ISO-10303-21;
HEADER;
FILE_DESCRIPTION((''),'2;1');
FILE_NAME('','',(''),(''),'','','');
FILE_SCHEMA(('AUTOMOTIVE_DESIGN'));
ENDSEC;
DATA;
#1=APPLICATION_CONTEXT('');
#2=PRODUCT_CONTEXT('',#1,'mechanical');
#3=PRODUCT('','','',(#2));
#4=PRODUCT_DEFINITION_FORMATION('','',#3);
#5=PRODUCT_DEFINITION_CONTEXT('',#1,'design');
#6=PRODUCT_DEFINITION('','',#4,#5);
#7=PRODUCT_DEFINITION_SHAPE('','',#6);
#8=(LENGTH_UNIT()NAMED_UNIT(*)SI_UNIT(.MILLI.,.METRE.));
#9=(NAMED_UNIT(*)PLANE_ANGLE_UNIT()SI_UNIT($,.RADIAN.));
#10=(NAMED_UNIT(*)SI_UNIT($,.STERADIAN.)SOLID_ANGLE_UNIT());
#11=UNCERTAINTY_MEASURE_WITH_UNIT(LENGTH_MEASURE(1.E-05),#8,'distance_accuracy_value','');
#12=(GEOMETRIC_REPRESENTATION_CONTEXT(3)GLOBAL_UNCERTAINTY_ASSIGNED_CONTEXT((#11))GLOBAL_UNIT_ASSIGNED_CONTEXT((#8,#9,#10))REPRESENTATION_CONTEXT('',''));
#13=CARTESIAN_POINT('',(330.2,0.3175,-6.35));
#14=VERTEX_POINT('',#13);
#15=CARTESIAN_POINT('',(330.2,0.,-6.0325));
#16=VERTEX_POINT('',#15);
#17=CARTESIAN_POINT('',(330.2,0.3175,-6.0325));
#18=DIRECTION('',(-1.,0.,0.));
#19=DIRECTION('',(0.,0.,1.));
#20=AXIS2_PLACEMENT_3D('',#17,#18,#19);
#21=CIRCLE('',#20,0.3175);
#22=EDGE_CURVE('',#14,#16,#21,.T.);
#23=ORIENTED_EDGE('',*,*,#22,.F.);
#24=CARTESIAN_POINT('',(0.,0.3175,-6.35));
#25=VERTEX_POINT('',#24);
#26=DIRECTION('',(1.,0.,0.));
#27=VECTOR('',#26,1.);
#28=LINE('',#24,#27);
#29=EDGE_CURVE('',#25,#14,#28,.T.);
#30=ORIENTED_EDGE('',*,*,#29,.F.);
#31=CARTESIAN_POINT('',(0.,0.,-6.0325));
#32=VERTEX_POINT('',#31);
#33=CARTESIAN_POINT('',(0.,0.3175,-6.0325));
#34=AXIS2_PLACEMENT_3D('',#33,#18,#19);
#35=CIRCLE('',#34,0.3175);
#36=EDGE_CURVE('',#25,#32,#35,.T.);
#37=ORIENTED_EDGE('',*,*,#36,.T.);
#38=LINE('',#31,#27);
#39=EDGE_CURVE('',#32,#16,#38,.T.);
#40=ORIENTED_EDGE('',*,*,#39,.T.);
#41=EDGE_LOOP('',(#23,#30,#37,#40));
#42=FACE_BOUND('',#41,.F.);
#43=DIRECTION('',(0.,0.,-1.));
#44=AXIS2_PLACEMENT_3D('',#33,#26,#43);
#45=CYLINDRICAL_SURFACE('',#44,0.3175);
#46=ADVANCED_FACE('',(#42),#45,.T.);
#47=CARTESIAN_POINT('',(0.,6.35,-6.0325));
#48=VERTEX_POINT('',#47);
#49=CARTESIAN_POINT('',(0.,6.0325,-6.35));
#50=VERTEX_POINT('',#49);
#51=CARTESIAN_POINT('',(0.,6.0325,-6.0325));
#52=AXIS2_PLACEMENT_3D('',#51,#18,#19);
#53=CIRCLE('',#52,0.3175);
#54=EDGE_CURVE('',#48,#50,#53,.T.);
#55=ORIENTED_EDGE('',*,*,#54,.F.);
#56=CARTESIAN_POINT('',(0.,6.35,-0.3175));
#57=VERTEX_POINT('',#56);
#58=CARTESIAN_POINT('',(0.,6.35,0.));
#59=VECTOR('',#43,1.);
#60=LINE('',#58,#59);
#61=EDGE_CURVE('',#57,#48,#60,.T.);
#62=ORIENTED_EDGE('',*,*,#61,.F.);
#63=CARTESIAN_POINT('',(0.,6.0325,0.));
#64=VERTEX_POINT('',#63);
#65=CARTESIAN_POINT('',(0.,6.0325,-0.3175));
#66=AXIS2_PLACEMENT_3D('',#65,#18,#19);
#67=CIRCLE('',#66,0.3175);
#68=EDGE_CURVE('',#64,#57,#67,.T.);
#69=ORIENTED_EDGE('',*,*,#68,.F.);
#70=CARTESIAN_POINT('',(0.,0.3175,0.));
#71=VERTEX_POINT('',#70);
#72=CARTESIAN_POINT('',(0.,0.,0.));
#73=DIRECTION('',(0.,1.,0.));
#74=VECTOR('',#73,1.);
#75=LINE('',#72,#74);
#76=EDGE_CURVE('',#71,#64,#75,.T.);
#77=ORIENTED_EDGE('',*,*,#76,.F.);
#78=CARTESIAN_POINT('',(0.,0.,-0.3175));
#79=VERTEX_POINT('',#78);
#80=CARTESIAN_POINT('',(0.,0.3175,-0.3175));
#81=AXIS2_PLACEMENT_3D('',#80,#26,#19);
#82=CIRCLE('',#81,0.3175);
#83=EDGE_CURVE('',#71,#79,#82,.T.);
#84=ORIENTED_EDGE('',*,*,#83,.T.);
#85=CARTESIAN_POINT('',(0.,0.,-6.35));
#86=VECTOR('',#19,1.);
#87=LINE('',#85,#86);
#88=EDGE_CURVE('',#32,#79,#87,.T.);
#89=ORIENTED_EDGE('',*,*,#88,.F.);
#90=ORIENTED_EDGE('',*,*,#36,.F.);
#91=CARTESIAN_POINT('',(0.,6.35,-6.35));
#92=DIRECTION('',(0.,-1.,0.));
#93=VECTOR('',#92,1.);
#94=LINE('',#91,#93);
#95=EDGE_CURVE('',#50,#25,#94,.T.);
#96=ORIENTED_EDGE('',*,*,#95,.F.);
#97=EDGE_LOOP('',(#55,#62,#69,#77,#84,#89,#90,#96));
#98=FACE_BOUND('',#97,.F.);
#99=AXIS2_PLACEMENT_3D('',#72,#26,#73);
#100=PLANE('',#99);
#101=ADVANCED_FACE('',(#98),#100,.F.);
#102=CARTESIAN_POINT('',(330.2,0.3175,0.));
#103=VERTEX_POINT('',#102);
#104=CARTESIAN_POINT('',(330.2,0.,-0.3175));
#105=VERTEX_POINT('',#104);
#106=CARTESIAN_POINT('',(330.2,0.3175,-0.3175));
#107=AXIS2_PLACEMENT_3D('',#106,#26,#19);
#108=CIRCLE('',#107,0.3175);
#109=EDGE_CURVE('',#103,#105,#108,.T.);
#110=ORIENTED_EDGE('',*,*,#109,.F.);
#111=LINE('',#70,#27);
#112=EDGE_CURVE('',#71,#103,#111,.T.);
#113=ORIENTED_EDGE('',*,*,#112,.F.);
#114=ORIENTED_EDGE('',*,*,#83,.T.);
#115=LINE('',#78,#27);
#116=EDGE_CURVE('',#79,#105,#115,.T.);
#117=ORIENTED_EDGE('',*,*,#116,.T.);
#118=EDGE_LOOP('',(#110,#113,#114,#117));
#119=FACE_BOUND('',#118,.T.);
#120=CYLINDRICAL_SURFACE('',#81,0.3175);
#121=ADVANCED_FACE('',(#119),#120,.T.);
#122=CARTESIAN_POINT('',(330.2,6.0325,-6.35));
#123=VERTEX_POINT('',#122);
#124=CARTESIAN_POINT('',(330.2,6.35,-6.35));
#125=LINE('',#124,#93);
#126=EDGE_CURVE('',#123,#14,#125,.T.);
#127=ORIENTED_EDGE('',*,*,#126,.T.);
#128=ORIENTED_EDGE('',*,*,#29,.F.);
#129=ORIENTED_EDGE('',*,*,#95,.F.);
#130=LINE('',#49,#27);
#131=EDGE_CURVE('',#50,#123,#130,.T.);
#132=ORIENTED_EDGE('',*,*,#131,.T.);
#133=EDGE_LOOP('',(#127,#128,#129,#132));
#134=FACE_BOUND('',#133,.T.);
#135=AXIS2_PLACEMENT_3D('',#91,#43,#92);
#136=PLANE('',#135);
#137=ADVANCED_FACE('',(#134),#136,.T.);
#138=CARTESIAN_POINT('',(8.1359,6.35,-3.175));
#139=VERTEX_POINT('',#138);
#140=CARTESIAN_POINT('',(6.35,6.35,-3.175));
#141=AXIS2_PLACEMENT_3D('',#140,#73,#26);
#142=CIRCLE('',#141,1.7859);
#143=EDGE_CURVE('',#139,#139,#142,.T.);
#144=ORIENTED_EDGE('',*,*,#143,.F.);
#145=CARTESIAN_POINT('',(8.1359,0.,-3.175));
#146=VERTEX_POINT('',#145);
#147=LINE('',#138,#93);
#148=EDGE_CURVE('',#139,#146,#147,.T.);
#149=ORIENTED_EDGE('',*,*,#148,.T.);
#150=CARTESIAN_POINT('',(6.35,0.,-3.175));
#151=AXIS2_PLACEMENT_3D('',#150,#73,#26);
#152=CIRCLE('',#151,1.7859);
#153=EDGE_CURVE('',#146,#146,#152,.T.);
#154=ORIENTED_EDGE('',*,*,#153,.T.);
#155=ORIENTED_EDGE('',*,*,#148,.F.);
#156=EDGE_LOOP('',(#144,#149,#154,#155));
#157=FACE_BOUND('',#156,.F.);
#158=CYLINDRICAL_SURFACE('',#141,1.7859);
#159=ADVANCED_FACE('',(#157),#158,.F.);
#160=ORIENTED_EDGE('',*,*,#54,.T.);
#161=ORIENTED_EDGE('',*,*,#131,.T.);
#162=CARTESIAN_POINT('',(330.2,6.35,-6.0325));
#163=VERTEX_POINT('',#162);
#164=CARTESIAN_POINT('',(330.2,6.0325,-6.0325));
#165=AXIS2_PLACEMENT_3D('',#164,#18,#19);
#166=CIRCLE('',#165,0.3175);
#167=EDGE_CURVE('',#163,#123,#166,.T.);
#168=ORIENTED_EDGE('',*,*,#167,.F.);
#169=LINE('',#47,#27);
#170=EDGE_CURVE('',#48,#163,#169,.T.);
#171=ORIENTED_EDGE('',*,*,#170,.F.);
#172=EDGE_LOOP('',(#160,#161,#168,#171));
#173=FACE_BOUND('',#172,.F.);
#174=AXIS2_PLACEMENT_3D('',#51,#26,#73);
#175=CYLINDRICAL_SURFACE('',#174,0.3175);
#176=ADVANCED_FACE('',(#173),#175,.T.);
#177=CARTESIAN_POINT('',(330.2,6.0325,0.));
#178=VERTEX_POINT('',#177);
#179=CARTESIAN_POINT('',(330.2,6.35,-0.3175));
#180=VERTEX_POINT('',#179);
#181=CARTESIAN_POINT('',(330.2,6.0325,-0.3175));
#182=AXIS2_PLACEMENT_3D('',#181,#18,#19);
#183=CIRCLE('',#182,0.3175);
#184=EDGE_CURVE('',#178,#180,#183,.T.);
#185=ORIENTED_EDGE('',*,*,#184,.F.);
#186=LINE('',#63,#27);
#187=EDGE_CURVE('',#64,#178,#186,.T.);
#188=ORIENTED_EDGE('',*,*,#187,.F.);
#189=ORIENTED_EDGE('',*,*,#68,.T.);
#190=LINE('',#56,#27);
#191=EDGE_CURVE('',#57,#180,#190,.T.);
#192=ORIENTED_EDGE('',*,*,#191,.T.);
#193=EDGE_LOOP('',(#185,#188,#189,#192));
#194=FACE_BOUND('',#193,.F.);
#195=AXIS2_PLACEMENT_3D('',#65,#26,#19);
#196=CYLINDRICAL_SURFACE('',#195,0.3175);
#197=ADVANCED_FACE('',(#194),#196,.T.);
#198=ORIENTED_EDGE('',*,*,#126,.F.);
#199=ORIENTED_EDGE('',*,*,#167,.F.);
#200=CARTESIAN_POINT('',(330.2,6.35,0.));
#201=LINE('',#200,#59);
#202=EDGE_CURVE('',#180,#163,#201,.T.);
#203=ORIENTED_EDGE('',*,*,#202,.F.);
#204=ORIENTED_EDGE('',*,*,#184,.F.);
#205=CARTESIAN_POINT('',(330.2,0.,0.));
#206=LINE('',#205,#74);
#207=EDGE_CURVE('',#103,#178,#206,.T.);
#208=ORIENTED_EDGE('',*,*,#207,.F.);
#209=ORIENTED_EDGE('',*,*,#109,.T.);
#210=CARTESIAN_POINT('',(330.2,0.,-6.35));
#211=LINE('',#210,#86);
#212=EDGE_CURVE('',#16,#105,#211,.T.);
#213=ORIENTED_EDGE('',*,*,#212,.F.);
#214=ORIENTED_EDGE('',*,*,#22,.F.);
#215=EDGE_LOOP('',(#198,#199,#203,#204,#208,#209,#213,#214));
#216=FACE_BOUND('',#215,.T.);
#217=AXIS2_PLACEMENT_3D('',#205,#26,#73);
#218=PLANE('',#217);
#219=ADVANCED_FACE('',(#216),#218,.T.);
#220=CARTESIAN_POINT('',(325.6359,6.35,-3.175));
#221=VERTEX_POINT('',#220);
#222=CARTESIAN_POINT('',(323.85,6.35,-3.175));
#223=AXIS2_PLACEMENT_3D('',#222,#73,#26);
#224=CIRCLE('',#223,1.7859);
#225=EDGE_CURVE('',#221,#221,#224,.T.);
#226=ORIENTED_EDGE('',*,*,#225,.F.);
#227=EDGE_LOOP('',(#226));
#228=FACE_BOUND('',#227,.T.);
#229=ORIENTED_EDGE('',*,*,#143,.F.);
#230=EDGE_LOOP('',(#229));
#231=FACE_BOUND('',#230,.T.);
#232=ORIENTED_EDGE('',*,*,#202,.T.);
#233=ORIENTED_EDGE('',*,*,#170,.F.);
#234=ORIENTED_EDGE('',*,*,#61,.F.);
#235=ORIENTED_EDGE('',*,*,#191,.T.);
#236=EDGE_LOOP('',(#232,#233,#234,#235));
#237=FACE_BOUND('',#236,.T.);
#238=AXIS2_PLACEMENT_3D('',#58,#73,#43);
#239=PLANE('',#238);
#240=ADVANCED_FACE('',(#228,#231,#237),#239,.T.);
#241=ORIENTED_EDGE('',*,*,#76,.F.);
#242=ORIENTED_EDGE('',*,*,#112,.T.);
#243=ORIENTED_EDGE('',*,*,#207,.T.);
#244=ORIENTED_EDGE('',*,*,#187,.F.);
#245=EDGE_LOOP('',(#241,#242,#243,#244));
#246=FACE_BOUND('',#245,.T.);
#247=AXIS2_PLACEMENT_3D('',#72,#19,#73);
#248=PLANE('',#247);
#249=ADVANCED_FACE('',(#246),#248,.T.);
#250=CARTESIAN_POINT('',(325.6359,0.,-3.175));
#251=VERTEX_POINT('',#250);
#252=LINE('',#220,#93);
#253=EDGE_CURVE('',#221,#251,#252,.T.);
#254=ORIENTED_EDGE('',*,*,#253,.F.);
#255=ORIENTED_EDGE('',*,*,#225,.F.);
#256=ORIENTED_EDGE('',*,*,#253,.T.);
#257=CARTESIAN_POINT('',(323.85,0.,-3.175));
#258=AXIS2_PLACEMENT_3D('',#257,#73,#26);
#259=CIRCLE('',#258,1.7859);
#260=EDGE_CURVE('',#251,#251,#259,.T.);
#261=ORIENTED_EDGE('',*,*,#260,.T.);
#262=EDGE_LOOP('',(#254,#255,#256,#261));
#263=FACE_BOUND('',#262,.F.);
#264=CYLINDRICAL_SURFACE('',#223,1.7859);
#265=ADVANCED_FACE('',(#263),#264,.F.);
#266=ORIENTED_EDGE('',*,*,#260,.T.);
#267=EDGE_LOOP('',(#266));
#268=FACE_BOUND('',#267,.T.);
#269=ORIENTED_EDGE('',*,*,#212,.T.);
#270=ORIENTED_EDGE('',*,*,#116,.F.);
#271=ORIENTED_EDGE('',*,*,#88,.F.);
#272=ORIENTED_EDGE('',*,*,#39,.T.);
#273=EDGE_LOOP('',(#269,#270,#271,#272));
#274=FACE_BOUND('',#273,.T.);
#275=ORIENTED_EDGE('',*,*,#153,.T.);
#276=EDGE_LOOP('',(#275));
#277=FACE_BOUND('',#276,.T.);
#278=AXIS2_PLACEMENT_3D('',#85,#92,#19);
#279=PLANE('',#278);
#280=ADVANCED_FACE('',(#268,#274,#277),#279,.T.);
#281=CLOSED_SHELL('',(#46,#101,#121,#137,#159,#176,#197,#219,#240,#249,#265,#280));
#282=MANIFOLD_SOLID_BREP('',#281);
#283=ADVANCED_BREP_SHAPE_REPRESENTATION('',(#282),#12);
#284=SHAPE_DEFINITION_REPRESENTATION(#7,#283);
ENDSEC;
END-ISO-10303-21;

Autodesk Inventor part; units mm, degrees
ref_plane "YZ Plane" through (0, 0, 0) normal (1, 0, 0) x (0, 1, 0)
ref_plane "XZ Plane" through (0, 0, 0) normal (0, 1, 0) x (-1, 0, 0)
ref_plane "XY Plane" through (0, 0, 0) normal (0, 0, 1) x (1, 0, 0)
sketch "Sketch1" plane through (0, 0, 0) normal (1, 0, 0) x (0, 1, 0)
  line L0 (0, 0) -> (6.35, 0)
  line L1 (6.35, 0) -> (6.35, -6.35)
  line L2 (6.35, -6.35) -> (0, -6.35)
  line L3 (0, -6.35) -> (0, 0)
  dimension "d0" = 6.35
  dimension "d1" = 6.35
extrude "Extrusion1" add sketch "Sketch1" along normal blind 330.2
fillet "Fillet1" radius 0.3175 4 edges at (165.1, 6.35, 0) (165.1, 6.35, -6.35) (165.1, 0, -6.35) (165.1, 0, 0)
sketch "Sketch2" plane through (0, 6.35, -6.0325) normal (0, 1, 0) x (1, 0, 0)
  circle A0 centre (6.35, -2.8575) radius 1.7859
  line L0 (0, 0) -> (0, -5.715) projected
  circle A1 centre (323.85, -2.8575) radius 1.7859
  line L1 (330.2, 0) -> (330.2, -5.715) projected
  point P0 (0, -6.0325)
  dimension "d5" = 3.5719
  dimension "d6" = 6.35
  dimension "d7" = 3.5719
  dimension "d8" = 6.35
extrude "Extrusion2" cut sketch "Sketch2" against normal blind 6.35
thread "Thread1" size "8-32 UNC" class "2B" standard "ANSI Unified Screw Threads" full length
thread "Thread2" size "8-32 UNC" class "2B" standard "ANSI Unified Screw Threads" full length
properties part number "Scraper Cross Brace"
